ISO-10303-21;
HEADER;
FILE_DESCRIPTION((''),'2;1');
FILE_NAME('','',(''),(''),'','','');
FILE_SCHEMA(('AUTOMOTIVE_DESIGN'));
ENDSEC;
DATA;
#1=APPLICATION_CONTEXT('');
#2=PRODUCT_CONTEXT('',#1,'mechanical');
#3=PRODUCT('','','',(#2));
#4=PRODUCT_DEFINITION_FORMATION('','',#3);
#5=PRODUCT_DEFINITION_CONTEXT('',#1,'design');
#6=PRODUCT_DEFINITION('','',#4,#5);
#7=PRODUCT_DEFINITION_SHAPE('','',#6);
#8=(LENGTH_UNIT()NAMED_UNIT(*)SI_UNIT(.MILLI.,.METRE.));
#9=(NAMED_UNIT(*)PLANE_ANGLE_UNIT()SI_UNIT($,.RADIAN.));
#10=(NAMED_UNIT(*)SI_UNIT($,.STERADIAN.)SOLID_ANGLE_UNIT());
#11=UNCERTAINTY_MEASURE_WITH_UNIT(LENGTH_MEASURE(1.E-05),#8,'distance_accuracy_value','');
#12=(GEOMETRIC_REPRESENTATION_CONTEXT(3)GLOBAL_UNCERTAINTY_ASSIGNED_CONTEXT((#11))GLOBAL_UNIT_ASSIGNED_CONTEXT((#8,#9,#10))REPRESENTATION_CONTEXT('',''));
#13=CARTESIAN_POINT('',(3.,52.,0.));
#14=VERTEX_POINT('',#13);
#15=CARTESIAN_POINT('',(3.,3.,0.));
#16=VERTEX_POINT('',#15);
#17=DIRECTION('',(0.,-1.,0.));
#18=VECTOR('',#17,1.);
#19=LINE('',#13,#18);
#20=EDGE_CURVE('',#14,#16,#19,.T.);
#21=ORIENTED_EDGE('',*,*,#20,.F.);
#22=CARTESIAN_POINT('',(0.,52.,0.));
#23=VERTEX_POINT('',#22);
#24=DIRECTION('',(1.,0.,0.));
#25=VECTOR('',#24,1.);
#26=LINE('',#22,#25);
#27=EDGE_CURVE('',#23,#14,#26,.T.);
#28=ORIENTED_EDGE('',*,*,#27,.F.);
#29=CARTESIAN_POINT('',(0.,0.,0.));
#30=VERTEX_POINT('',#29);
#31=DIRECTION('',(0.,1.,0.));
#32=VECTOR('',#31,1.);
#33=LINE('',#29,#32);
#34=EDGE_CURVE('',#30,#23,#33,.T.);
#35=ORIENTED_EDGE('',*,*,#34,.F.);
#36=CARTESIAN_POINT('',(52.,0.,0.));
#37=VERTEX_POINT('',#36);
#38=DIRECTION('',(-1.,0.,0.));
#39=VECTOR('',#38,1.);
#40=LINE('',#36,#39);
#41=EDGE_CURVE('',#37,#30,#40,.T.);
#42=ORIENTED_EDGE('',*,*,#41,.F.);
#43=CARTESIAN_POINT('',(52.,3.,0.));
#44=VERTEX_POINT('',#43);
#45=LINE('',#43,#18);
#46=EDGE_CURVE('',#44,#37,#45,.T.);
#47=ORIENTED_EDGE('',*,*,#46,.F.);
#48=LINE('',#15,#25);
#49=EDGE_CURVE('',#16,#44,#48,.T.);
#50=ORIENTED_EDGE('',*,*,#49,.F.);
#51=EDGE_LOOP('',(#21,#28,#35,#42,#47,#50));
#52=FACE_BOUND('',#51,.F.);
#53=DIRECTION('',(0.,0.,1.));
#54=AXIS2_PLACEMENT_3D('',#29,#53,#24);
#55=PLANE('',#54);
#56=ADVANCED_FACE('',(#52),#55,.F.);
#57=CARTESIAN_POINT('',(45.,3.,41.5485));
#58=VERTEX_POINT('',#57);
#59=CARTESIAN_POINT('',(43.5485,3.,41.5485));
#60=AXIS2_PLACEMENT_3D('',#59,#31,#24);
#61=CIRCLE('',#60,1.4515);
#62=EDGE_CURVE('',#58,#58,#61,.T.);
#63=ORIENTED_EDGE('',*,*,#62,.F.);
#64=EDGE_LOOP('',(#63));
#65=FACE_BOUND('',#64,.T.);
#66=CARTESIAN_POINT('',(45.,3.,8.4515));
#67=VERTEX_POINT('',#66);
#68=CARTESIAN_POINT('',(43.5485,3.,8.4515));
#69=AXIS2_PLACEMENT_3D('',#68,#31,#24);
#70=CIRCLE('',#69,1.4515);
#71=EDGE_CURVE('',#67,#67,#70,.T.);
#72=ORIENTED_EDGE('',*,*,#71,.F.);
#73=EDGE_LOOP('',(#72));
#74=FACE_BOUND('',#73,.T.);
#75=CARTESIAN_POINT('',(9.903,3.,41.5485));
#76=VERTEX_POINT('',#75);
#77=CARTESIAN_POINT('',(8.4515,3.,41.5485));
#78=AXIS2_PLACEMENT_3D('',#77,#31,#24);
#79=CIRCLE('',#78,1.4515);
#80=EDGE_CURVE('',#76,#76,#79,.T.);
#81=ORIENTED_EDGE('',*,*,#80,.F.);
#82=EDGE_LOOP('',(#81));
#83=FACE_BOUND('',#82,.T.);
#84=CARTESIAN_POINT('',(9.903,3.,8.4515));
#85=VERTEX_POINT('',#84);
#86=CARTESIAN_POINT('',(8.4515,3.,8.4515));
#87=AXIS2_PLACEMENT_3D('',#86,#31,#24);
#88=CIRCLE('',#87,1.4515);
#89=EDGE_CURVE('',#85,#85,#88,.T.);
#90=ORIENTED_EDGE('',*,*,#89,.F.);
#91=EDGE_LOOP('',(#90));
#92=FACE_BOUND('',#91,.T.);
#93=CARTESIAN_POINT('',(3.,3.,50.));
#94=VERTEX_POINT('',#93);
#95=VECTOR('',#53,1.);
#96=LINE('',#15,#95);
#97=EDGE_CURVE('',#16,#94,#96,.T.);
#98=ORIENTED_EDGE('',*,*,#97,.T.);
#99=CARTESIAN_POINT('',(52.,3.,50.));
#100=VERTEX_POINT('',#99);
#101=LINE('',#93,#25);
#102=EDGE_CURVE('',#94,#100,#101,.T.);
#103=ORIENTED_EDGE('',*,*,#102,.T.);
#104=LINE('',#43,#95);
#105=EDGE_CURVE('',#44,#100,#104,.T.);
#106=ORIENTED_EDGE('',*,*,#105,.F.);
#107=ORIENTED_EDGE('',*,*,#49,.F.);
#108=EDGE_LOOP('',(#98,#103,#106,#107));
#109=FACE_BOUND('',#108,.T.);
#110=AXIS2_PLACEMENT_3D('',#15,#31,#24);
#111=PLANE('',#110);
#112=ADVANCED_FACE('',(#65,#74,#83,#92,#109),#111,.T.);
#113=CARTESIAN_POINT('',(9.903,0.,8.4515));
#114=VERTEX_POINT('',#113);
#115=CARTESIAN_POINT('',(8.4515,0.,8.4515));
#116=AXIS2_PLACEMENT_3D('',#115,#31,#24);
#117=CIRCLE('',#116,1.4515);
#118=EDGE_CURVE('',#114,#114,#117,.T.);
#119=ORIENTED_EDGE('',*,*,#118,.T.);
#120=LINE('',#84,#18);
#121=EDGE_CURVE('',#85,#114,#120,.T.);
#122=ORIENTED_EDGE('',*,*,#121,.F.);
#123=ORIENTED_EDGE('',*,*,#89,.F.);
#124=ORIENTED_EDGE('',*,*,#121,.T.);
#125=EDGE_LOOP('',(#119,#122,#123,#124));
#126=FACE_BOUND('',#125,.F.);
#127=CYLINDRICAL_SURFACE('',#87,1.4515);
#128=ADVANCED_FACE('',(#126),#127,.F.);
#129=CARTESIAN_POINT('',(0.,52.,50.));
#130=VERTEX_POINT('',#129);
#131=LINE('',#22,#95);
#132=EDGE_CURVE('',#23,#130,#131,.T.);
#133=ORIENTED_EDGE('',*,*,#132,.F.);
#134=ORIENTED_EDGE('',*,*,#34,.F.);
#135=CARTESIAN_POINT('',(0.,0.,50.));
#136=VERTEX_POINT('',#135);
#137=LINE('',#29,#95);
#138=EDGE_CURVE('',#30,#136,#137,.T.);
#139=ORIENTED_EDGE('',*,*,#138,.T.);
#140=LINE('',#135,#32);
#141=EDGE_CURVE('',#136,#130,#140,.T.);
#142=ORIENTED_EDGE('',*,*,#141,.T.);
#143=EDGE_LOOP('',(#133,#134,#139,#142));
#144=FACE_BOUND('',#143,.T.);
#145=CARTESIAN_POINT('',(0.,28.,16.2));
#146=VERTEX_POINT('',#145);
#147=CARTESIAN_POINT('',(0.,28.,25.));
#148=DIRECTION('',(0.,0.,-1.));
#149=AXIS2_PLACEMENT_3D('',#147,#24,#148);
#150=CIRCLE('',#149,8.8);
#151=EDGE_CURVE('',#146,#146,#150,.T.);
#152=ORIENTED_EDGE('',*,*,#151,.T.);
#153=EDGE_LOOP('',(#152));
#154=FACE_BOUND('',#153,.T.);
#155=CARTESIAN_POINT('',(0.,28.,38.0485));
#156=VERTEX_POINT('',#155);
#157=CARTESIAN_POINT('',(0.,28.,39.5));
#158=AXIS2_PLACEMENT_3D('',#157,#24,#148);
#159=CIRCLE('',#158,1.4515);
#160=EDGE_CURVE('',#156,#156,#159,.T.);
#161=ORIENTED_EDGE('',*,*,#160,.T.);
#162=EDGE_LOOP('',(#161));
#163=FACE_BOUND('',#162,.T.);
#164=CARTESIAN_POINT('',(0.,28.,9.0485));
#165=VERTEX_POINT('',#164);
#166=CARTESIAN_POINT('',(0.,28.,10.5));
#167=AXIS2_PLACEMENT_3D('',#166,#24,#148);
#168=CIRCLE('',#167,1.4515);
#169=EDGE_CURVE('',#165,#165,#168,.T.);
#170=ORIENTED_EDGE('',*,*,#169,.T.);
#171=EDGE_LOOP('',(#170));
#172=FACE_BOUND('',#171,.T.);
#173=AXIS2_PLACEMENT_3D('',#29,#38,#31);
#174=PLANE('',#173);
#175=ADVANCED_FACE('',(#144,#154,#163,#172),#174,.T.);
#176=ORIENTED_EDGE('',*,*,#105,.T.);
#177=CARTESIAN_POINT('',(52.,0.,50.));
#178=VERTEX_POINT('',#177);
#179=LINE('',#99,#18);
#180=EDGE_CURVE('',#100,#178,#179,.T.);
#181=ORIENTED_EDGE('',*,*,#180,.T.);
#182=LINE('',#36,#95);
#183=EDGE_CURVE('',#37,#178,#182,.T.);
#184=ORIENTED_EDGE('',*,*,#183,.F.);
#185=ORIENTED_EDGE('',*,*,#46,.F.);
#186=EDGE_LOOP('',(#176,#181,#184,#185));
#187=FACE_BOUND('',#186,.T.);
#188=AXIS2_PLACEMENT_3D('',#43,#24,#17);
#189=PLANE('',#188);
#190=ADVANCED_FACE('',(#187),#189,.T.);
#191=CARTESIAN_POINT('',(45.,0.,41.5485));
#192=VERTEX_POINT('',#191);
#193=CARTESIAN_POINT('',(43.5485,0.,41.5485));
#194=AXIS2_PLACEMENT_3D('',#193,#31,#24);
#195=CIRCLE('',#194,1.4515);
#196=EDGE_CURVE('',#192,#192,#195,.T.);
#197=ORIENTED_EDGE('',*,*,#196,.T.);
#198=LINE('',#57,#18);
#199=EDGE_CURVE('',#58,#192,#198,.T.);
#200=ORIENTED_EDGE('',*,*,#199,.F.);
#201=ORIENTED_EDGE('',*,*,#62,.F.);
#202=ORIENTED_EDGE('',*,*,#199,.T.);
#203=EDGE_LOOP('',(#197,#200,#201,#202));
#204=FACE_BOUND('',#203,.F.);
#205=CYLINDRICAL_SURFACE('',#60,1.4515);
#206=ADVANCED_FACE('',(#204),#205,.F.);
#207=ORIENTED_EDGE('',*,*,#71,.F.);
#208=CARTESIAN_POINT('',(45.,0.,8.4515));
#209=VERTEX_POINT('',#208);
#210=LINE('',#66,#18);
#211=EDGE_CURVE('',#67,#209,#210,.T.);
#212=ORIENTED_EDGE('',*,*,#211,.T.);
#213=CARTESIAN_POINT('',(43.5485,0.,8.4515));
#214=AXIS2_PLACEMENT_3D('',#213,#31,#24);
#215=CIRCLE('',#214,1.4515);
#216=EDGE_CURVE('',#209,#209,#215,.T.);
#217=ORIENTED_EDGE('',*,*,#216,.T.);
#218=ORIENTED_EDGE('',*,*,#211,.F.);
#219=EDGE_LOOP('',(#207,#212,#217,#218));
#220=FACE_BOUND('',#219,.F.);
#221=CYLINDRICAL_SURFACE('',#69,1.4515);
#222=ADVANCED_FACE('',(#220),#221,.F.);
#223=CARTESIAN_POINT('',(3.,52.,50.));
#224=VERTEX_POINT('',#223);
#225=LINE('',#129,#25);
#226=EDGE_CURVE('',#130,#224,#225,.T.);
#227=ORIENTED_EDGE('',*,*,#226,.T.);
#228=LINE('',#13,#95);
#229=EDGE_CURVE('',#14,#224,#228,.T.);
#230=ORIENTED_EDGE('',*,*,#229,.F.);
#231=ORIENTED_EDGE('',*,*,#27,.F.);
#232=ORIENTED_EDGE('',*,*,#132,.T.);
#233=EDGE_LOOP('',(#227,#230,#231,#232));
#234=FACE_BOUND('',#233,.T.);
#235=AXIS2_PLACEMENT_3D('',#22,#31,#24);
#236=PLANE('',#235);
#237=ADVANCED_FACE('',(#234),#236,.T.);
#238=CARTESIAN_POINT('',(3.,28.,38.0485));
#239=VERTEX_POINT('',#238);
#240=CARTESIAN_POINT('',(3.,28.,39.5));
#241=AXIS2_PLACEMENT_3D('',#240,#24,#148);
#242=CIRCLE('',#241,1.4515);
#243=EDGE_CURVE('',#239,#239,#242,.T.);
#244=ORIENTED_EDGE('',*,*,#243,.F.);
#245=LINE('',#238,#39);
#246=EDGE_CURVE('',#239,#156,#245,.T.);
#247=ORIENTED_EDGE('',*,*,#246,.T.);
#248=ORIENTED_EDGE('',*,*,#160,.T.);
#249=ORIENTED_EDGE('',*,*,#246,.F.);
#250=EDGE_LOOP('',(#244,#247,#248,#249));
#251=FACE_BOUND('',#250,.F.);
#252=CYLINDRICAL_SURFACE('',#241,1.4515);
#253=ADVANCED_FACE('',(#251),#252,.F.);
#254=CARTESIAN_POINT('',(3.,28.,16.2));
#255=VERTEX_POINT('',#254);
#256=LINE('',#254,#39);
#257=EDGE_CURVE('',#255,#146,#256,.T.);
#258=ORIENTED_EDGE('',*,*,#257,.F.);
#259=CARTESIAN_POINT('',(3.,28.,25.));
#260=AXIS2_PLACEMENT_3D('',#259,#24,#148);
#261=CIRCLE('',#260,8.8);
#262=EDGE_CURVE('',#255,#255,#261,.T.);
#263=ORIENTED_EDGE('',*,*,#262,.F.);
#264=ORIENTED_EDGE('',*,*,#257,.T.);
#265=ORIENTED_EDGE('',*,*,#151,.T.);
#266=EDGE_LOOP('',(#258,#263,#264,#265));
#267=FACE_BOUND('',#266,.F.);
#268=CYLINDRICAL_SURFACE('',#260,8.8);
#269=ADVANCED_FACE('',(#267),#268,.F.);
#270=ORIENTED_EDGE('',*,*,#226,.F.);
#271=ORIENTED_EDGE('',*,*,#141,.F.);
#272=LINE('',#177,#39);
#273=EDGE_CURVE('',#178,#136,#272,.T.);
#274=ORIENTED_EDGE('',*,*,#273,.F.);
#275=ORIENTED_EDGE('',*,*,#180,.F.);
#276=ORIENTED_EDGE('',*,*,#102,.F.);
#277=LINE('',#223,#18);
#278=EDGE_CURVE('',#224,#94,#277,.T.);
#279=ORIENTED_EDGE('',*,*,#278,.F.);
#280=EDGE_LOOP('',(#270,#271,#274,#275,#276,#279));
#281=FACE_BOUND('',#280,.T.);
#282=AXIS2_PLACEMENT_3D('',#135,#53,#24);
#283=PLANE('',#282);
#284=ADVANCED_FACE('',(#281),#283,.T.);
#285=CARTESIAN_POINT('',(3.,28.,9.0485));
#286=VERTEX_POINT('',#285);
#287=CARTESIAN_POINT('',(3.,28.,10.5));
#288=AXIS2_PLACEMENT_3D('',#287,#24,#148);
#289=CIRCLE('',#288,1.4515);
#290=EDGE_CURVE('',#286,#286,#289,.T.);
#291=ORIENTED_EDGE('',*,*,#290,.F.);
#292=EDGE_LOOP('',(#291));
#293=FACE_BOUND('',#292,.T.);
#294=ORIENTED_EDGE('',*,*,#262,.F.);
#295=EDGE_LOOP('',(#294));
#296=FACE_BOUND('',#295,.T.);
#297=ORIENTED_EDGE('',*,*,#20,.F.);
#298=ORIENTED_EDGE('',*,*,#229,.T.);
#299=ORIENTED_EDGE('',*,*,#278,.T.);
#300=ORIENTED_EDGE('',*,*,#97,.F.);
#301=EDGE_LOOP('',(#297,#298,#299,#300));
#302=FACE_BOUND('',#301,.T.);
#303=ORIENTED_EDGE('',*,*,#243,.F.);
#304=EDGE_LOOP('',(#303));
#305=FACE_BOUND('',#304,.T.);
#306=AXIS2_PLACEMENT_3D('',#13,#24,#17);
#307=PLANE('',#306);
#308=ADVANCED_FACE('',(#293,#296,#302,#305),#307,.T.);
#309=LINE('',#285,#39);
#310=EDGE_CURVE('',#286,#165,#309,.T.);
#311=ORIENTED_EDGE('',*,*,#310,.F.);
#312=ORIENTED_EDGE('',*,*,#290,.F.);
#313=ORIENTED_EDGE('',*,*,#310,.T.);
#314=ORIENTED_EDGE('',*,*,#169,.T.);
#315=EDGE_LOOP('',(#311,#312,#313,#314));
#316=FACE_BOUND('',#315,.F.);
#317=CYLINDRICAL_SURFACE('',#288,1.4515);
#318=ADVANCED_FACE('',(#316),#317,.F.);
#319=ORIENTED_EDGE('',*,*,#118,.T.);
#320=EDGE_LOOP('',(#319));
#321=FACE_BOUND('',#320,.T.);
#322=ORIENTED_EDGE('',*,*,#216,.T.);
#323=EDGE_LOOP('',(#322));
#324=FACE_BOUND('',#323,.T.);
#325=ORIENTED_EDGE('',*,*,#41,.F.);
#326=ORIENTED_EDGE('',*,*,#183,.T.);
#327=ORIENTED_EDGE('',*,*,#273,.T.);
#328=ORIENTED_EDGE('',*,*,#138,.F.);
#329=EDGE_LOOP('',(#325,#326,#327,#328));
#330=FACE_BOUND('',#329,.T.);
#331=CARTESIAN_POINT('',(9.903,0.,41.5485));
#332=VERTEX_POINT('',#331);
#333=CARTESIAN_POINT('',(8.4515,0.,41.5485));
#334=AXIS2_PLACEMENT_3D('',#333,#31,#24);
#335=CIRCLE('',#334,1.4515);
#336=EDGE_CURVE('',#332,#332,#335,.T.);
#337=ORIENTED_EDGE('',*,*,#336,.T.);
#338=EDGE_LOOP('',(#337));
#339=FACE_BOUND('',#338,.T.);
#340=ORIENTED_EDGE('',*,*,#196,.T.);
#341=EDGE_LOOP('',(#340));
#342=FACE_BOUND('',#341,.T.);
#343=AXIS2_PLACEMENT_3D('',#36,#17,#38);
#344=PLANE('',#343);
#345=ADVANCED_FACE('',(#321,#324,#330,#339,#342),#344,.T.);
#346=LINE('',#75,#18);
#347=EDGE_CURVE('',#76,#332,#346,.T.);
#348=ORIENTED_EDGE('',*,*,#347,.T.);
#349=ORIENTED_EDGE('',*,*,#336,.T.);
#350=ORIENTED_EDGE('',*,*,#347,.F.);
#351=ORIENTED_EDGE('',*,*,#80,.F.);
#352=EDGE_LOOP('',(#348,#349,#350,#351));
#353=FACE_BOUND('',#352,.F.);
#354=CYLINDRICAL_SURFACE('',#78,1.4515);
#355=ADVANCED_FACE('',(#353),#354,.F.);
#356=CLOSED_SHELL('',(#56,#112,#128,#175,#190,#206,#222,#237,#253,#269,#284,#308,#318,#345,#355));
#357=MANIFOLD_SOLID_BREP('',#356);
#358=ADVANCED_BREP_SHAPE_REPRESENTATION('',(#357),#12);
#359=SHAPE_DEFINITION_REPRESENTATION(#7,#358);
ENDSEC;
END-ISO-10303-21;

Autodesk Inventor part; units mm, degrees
ref_plane "YZ Plane" through (0, 0, 0) normal (1, 0, 0) x (0, 1, 0)
ref_plane "XZ Plane" through (0, 0, 0) normal (0, 1, 0) x (-1, 0, 0)
ref_plane "XY Plane" through (0, 0, 0) normal (0, 0, 1) x (1, 0, 0)
sketch "Sketch1" plane through (0, 0, 0) normal (0, 0, 1) x (1, 0, 0)
  line L0 (0, 0) -> (0, 52)
  line L1 (0, 52) -> (3, 52)
  line L2 (3, 52) -> (3, 3)
  line L3 (3, 3) -> (52, 3)
  line L4 (52, 3) -> (52, 0)
  line L5 (52, 0) -> (0, 0)
  dimension "d0" = 3
  dimension "d1" = 3
  dimension "d2" = 52
  dimension "d3" = 52
extrude "Extrusion1" add sketch "Sketch1" along normal blind 50
sketch "Sketch2" plane through (3, 3, 0) normal (1, 0, 0) x (0, 0, -1)
  circle A0 centre (-25, 25) radius 8.8
  line L0 (0, 49) -> (-50, 49) projected
  line L1 (0, 0) -> (0, 49) projected
  circle A1 centre (-10.5, 25) radius 1.4515
  circle A2 centre (-39.5, 25) radius 1.4515
  point P0 (0, -3)
  dimension "d6" = 17.6
  dimension "d7" = 24
  dimension "d8" = 25
  dimension "d9" = 2.903
  dimension "d10" = 2.903
  dimension "d11" = 29
  dimension "d12" = 14.5
  dimension "d13" = 14.5
extrude "Extrusion2" cut sketch "Sketch2" against normal through all
sketch "Sketch3" plane through (3, 3, 0) normal (0, 1, 0) x (1, 0, 0)
  circle A0 centre (5.4515, -41.5485) radius 1.4515
  circle A1 centre (5.4515, -8.4515) radius 1.4515
  circle A2 centre (40.5485, -41.5485) radius 1.4515
  circle A3 centre (40.5485, -8.4515) radius 1.4515
  line L0 (49, -50) -> (0, -50) projected
  line L1 (49, 0) -> (0, 0) projected
  line L2 (49, 0) -> (49, -50) projected
  line L3 (-3, 0) -> (-3, -50) projected
  dimension "d16" = 2.903
  dimension "d17" = 2.903
  dimension "d18" = 2.903
  dimension "d19" = 2.903
  dimension "d20" = 7
  dimension "d21" = 7
  dimension "d22" = 7
  dimension "d23" = 7
  dimension "d24" = 7
  dimension "d25" = 7
  dimension "d26" = 7
  dimension "d27" = 7
extrude "Extrusion3" cut sketch "Sketch3" against normal through all
equation "\"BendRadius\" = Thickness"
equation "\"BendReliefWidth\" = Thickness"
equation "\"BendReliefDepth\" = 0.5 * Thickness"
equation "\"CornerReliefSize\" = 4 * Thickness"
equation "\"MinimumRemnant\" = 2 * Thickness"
equation "\"TransitionRadius\" = BendRadius"
equation "\"JacobiRadiusSize\" = BendRadius"
equation "\"GapSize\" = Thickness"
equation "\"Thickness\" = 0.5"
properties part number "dc motor clamp"
